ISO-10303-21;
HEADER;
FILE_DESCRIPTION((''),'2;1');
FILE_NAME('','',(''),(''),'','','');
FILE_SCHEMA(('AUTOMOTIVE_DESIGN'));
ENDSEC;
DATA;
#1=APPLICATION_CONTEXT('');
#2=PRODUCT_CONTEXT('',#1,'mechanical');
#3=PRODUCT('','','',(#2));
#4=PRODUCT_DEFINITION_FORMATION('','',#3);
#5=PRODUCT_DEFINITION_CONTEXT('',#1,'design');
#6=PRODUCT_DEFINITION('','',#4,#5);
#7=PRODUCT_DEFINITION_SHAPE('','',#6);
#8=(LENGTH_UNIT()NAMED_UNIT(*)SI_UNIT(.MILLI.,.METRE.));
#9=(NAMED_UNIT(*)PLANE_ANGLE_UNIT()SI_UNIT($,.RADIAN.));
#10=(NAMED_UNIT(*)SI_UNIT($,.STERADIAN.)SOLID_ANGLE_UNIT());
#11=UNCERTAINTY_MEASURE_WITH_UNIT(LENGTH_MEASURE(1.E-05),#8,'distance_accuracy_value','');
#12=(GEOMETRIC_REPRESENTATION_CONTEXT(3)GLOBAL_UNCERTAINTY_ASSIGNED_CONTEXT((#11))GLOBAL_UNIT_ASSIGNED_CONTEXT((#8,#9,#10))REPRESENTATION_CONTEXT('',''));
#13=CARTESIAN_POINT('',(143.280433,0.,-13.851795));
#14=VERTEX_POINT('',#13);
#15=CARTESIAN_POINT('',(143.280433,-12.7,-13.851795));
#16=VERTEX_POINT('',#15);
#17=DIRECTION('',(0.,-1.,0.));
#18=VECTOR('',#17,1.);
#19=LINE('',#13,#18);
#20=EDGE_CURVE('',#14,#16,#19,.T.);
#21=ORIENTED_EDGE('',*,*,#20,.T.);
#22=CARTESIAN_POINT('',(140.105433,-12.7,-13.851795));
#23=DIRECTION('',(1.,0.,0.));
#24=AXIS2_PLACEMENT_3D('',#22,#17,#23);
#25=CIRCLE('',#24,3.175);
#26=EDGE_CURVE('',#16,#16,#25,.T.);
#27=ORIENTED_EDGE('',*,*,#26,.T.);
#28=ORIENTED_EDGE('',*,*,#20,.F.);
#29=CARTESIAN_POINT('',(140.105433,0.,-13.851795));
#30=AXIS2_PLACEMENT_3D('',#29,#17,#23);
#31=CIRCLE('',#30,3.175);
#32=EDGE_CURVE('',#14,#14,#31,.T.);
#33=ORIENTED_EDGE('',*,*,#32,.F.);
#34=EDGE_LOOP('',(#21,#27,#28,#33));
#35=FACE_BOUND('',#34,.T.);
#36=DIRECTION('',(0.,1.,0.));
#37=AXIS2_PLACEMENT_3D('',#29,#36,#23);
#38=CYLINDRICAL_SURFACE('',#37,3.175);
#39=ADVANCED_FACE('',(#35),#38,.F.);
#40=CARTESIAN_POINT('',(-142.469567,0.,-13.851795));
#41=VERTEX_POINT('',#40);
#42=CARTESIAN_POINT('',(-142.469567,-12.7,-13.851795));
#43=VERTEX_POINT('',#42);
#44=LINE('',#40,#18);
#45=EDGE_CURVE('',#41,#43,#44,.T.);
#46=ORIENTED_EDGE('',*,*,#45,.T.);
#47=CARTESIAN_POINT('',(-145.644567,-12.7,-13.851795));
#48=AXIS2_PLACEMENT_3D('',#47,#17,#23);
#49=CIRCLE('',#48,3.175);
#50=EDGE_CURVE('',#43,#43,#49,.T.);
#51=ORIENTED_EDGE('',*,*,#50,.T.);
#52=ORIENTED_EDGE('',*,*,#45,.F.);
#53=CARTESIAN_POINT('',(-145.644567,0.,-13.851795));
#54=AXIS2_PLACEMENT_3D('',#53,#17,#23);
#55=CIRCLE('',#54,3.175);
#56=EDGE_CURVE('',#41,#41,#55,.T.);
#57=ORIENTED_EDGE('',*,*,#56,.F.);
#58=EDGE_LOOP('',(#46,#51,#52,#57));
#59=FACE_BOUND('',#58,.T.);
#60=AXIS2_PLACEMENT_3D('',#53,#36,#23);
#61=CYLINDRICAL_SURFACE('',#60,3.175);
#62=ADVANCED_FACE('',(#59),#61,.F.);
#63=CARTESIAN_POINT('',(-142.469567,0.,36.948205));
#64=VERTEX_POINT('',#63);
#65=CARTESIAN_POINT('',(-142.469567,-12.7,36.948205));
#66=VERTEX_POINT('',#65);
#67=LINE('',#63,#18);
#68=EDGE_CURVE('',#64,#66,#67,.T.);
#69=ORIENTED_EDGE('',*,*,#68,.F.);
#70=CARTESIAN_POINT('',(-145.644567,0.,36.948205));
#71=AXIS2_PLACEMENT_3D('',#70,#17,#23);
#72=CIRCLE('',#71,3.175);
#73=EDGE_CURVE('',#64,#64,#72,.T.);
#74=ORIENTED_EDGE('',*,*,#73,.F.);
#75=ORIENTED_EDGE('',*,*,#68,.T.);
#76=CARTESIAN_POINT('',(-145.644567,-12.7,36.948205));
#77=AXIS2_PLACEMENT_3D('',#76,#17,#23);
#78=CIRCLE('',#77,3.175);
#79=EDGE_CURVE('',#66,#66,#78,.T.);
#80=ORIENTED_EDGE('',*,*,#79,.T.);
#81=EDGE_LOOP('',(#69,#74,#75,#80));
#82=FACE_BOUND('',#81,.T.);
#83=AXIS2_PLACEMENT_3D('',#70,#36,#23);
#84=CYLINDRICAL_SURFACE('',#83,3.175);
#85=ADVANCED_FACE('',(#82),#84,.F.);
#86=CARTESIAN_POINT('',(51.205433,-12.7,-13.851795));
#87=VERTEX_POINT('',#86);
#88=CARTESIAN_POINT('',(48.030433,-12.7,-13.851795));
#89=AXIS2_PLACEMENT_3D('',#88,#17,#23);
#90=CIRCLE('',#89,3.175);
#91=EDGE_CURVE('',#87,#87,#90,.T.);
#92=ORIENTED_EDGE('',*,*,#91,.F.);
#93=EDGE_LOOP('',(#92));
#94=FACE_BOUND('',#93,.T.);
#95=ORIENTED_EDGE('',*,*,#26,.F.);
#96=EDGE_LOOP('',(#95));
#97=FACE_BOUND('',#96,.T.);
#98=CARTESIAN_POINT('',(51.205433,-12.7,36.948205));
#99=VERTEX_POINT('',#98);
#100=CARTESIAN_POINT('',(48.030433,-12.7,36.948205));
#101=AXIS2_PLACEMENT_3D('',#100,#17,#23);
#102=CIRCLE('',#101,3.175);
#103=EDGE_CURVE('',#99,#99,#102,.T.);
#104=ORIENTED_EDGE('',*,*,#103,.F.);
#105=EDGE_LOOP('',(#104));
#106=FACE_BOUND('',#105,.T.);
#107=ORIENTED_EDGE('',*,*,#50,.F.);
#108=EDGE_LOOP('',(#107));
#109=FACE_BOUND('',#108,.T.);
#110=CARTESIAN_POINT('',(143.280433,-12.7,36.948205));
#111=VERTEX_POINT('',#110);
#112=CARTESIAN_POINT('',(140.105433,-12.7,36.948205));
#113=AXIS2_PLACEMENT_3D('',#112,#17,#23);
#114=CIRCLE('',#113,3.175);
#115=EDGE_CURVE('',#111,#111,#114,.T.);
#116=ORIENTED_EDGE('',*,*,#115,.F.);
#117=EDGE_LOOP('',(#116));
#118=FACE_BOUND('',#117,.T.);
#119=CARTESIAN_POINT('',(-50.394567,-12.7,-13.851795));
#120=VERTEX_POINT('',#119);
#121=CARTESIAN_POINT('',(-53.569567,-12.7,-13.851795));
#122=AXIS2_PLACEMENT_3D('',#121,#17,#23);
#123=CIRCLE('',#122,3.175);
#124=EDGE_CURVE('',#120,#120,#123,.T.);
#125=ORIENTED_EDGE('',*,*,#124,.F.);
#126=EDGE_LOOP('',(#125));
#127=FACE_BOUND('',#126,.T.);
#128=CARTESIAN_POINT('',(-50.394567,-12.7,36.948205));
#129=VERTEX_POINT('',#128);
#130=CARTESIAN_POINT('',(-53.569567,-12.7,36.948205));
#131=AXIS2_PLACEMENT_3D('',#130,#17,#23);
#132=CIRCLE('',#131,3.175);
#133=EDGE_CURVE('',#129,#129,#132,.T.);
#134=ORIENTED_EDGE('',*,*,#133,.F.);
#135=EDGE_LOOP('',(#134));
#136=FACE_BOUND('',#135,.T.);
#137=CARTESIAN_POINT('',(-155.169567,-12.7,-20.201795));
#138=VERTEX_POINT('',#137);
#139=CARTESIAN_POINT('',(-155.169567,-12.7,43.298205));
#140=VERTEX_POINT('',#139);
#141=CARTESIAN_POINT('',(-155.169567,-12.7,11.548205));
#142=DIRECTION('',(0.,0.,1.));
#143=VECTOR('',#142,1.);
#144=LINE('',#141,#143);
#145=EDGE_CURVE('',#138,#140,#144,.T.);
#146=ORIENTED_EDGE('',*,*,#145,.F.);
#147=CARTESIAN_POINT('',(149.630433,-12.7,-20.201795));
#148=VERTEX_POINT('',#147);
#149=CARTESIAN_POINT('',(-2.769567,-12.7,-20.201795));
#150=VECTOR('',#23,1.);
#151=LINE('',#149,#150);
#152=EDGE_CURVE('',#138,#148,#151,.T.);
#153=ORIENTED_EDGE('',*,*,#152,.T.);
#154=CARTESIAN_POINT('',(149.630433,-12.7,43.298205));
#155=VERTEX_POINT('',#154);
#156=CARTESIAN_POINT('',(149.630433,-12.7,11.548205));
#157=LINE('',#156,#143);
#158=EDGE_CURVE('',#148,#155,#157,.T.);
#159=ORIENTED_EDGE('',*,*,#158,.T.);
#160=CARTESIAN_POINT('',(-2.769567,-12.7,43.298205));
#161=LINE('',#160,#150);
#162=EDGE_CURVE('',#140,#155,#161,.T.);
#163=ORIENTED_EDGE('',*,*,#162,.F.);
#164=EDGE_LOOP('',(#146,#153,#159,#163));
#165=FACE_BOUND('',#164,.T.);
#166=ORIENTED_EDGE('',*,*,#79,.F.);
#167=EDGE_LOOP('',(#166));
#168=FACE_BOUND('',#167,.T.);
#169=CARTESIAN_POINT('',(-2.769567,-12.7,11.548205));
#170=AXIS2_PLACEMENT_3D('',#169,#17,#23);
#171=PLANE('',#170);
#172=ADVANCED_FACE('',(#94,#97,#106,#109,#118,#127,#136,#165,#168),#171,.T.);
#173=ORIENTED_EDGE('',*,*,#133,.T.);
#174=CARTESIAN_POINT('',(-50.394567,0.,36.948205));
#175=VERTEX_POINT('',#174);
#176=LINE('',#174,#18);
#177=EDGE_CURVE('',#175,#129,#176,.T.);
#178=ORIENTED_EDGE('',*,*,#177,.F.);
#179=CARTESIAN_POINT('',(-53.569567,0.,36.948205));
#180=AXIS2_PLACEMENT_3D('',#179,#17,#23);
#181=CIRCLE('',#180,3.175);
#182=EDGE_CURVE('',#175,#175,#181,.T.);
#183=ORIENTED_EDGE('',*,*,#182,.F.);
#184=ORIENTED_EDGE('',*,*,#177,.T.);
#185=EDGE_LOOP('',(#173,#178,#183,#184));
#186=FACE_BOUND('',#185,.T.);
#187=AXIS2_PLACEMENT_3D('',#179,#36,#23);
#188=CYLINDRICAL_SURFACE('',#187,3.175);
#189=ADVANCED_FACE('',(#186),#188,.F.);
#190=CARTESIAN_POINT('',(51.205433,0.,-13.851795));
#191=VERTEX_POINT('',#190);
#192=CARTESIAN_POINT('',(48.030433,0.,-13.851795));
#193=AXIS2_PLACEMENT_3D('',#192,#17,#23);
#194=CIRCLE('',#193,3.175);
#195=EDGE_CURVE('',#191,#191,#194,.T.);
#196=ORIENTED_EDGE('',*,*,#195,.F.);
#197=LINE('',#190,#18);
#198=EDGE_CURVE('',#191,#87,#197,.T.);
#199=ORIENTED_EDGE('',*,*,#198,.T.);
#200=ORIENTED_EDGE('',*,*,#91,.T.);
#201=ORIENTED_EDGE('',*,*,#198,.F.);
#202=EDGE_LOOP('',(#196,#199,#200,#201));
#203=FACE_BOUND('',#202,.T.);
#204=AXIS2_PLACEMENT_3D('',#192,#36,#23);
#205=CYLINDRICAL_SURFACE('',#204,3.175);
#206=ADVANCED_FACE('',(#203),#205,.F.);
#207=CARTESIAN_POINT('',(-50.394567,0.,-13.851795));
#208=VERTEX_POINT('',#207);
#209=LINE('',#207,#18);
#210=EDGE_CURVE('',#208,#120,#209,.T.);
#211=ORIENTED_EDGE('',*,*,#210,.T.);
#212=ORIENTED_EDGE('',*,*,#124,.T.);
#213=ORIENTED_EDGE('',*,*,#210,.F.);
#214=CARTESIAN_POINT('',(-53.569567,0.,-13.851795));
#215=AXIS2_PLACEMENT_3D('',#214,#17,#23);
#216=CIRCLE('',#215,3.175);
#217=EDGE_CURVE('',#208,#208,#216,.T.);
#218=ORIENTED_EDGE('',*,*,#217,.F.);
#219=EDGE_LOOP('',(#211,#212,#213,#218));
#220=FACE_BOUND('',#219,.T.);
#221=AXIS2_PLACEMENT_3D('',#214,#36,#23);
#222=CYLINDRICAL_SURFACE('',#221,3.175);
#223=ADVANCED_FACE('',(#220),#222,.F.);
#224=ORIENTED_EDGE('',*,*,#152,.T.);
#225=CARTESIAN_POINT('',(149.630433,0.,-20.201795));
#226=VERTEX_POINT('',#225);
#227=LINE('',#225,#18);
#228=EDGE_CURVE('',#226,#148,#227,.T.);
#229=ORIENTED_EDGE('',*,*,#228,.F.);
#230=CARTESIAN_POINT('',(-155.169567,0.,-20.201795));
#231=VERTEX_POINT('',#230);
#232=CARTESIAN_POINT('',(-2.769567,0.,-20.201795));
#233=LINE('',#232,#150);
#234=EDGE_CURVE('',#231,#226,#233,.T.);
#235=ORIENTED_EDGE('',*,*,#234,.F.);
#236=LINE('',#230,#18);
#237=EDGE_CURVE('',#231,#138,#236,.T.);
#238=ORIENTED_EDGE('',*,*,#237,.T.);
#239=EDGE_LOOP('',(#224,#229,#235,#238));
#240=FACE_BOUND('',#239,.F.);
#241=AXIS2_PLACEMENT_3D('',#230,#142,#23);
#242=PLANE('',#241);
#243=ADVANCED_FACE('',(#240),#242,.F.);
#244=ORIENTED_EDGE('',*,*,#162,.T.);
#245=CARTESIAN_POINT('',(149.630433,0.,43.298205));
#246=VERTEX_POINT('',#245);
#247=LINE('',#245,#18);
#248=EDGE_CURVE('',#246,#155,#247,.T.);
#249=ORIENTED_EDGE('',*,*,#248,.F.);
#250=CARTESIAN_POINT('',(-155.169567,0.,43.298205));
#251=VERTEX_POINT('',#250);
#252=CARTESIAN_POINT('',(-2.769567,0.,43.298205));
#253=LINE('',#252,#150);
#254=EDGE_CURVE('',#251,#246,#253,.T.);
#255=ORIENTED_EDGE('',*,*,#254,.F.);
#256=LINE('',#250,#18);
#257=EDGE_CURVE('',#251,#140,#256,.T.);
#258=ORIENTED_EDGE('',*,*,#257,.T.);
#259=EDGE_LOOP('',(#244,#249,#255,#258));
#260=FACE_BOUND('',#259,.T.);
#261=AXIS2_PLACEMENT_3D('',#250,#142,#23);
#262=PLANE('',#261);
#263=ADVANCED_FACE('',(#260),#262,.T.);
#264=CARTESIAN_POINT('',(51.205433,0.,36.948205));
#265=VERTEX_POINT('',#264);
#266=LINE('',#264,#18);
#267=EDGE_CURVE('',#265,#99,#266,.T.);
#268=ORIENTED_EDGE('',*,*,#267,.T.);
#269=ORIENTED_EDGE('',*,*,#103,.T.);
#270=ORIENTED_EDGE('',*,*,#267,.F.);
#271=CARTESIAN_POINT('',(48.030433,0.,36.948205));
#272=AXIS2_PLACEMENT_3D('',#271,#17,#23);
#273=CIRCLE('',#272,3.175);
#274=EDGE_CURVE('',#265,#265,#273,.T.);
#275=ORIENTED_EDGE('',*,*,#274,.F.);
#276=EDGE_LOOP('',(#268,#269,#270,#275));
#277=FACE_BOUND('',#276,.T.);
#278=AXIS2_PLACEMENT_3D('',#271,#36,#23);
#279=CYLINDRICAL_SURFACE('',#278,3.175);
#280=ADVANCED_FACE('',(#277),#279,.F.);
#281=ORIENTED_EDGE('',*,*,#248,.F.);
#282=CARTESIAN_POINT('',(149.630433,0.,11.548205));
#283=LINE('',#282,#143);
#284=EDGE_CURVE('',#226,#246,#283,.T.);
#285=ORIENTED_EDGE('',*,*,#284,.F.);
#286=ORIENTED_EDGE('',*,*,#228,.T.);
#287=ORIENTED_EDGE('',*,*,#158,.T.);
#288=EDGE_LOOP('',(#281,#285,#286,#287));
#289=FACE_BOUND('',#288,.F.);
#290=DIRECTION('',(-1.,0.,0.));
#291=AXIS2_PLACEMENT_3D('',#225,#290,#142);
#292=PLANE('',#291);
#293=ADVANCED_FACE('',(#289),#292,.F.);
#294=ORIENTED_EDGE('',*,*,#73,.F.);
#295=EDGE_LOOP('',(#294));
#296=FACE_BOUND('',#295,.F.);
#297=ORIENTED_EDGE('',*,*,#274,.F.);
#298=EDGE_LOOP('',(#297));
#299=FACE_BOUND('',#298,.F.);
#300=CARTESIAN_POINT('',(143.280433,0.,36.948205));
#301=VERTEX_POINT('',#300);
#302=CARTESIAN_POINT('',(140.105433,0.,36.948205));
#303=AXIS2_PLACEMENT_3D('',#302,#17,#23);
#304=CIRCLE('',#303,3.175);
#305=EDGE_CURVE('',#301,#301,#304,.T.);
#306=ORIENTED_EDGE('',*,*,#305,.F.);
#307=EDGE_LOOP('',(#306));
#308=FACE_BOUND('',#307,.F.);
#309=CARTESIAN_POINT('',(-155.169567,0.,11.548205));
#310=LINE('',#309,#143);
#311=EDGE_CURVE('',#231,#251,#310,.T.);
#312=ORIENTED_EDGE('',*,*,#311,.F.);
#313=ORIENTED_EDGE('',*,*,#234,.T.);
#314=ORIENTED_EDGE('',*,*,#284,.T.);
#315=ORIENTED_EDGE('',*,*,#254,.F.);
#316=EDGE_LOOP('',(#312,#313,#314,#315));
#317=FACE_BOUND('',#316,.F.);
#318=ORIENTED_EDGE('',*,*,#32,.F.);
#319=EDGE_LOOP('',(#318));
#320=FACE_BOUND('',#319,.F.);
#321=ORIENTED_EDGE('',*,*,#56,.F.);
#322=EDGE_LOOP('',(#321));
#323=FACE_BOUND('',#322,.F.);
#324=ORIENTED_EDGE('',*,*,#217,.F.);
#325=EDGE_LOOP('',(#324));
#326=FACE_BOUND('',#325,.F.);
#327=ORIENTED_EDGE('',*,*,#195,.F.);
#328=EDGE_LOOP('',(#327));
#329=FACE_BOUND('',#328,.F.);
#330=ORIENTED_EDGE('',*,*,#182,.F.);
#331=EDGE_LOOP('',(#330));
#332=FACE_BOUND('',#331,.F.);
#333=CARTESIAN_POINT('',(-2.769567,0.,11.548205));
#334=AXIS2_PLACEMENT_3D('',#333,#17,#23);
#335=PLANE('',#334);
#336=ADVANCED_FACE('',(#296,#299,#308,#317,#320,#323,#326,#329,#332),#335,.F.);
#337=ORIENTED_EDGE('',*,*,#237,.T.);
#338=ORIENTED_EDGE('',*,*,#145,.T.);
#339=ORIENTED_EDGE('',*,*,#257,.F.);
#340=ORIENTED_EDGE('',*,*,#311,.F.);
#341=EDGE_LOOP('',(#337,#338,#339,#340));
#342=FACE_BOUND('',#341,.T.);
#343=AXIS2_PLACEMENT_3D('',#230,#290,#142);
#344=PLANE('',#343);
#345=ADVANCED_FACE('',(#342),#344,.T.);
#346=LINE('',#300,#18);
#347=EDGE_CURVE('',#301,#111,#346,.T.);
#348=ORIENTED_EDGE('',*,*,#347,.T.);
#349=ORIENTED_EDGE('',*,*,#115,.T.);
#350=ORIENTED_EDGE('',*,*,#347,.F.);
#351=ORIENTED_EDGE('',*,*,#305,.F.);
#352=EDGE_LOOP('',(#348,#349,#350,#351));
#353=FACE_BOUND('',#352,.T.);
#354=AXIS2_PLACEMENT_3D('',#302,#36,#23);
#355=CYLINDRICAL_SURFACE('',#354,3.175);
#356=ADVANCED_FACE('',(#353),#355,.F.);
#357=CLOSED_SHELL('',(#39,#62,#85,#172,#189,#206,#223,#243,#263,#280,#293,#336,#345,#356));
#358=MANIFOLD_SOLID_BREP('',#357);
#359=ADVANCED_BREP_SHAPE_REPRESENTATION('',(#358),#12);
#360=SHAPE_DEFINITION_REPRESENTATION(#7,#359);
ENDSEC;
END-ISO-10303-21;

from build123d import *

# Parameters (mm, degrees)
F0_W     = 304.8
F0_H     = 63.5
F0_R     = 3.175
F1_DEPTH = 12.7


with BuildPart() as f1:
    # F0 (on Front) → F1 (new body)
    with BuildSketch(Plane.XZ):
        with Locations((-2.769567, 11.548205)):
            Rectangle(F0_W, F0_H)
        with Locations((-145.644567, -13.851795)):
            Circle(F0_R, mode=Mode.SUBTRACT)
        with Locations((-53.569567, -13.851795)):
            Circle(F0_R, mode=Mode.SUBTRACT)
        with Locations((48.030433, -13.851795)):
            Circle(F0_R, mode=Mode.SUBTRACT)
        with Locations((140.105433, -13.851795)):
            Circle(F0_R, mode=Mode.SUBTRACT)
        with Locations((-145.644567, 36.948205)):
            Circle(F0_R, mode=Mode.SUBTRACT)
        with Locations((-53.569567, 36.948205)):
            Circle(F0_R, mode=Mode.SUBTRACT)
        with Locations((48.030433, 36.948205)):
            Circle(F0_R, mode=Mode.SUBTRACT)
        with Locations((140.105433, 36.948205)):
            Circle(F0_R, mode=Mode.SUBTRACT)
    extrude(amount=F1_DEPTH)


solid = f1.part
